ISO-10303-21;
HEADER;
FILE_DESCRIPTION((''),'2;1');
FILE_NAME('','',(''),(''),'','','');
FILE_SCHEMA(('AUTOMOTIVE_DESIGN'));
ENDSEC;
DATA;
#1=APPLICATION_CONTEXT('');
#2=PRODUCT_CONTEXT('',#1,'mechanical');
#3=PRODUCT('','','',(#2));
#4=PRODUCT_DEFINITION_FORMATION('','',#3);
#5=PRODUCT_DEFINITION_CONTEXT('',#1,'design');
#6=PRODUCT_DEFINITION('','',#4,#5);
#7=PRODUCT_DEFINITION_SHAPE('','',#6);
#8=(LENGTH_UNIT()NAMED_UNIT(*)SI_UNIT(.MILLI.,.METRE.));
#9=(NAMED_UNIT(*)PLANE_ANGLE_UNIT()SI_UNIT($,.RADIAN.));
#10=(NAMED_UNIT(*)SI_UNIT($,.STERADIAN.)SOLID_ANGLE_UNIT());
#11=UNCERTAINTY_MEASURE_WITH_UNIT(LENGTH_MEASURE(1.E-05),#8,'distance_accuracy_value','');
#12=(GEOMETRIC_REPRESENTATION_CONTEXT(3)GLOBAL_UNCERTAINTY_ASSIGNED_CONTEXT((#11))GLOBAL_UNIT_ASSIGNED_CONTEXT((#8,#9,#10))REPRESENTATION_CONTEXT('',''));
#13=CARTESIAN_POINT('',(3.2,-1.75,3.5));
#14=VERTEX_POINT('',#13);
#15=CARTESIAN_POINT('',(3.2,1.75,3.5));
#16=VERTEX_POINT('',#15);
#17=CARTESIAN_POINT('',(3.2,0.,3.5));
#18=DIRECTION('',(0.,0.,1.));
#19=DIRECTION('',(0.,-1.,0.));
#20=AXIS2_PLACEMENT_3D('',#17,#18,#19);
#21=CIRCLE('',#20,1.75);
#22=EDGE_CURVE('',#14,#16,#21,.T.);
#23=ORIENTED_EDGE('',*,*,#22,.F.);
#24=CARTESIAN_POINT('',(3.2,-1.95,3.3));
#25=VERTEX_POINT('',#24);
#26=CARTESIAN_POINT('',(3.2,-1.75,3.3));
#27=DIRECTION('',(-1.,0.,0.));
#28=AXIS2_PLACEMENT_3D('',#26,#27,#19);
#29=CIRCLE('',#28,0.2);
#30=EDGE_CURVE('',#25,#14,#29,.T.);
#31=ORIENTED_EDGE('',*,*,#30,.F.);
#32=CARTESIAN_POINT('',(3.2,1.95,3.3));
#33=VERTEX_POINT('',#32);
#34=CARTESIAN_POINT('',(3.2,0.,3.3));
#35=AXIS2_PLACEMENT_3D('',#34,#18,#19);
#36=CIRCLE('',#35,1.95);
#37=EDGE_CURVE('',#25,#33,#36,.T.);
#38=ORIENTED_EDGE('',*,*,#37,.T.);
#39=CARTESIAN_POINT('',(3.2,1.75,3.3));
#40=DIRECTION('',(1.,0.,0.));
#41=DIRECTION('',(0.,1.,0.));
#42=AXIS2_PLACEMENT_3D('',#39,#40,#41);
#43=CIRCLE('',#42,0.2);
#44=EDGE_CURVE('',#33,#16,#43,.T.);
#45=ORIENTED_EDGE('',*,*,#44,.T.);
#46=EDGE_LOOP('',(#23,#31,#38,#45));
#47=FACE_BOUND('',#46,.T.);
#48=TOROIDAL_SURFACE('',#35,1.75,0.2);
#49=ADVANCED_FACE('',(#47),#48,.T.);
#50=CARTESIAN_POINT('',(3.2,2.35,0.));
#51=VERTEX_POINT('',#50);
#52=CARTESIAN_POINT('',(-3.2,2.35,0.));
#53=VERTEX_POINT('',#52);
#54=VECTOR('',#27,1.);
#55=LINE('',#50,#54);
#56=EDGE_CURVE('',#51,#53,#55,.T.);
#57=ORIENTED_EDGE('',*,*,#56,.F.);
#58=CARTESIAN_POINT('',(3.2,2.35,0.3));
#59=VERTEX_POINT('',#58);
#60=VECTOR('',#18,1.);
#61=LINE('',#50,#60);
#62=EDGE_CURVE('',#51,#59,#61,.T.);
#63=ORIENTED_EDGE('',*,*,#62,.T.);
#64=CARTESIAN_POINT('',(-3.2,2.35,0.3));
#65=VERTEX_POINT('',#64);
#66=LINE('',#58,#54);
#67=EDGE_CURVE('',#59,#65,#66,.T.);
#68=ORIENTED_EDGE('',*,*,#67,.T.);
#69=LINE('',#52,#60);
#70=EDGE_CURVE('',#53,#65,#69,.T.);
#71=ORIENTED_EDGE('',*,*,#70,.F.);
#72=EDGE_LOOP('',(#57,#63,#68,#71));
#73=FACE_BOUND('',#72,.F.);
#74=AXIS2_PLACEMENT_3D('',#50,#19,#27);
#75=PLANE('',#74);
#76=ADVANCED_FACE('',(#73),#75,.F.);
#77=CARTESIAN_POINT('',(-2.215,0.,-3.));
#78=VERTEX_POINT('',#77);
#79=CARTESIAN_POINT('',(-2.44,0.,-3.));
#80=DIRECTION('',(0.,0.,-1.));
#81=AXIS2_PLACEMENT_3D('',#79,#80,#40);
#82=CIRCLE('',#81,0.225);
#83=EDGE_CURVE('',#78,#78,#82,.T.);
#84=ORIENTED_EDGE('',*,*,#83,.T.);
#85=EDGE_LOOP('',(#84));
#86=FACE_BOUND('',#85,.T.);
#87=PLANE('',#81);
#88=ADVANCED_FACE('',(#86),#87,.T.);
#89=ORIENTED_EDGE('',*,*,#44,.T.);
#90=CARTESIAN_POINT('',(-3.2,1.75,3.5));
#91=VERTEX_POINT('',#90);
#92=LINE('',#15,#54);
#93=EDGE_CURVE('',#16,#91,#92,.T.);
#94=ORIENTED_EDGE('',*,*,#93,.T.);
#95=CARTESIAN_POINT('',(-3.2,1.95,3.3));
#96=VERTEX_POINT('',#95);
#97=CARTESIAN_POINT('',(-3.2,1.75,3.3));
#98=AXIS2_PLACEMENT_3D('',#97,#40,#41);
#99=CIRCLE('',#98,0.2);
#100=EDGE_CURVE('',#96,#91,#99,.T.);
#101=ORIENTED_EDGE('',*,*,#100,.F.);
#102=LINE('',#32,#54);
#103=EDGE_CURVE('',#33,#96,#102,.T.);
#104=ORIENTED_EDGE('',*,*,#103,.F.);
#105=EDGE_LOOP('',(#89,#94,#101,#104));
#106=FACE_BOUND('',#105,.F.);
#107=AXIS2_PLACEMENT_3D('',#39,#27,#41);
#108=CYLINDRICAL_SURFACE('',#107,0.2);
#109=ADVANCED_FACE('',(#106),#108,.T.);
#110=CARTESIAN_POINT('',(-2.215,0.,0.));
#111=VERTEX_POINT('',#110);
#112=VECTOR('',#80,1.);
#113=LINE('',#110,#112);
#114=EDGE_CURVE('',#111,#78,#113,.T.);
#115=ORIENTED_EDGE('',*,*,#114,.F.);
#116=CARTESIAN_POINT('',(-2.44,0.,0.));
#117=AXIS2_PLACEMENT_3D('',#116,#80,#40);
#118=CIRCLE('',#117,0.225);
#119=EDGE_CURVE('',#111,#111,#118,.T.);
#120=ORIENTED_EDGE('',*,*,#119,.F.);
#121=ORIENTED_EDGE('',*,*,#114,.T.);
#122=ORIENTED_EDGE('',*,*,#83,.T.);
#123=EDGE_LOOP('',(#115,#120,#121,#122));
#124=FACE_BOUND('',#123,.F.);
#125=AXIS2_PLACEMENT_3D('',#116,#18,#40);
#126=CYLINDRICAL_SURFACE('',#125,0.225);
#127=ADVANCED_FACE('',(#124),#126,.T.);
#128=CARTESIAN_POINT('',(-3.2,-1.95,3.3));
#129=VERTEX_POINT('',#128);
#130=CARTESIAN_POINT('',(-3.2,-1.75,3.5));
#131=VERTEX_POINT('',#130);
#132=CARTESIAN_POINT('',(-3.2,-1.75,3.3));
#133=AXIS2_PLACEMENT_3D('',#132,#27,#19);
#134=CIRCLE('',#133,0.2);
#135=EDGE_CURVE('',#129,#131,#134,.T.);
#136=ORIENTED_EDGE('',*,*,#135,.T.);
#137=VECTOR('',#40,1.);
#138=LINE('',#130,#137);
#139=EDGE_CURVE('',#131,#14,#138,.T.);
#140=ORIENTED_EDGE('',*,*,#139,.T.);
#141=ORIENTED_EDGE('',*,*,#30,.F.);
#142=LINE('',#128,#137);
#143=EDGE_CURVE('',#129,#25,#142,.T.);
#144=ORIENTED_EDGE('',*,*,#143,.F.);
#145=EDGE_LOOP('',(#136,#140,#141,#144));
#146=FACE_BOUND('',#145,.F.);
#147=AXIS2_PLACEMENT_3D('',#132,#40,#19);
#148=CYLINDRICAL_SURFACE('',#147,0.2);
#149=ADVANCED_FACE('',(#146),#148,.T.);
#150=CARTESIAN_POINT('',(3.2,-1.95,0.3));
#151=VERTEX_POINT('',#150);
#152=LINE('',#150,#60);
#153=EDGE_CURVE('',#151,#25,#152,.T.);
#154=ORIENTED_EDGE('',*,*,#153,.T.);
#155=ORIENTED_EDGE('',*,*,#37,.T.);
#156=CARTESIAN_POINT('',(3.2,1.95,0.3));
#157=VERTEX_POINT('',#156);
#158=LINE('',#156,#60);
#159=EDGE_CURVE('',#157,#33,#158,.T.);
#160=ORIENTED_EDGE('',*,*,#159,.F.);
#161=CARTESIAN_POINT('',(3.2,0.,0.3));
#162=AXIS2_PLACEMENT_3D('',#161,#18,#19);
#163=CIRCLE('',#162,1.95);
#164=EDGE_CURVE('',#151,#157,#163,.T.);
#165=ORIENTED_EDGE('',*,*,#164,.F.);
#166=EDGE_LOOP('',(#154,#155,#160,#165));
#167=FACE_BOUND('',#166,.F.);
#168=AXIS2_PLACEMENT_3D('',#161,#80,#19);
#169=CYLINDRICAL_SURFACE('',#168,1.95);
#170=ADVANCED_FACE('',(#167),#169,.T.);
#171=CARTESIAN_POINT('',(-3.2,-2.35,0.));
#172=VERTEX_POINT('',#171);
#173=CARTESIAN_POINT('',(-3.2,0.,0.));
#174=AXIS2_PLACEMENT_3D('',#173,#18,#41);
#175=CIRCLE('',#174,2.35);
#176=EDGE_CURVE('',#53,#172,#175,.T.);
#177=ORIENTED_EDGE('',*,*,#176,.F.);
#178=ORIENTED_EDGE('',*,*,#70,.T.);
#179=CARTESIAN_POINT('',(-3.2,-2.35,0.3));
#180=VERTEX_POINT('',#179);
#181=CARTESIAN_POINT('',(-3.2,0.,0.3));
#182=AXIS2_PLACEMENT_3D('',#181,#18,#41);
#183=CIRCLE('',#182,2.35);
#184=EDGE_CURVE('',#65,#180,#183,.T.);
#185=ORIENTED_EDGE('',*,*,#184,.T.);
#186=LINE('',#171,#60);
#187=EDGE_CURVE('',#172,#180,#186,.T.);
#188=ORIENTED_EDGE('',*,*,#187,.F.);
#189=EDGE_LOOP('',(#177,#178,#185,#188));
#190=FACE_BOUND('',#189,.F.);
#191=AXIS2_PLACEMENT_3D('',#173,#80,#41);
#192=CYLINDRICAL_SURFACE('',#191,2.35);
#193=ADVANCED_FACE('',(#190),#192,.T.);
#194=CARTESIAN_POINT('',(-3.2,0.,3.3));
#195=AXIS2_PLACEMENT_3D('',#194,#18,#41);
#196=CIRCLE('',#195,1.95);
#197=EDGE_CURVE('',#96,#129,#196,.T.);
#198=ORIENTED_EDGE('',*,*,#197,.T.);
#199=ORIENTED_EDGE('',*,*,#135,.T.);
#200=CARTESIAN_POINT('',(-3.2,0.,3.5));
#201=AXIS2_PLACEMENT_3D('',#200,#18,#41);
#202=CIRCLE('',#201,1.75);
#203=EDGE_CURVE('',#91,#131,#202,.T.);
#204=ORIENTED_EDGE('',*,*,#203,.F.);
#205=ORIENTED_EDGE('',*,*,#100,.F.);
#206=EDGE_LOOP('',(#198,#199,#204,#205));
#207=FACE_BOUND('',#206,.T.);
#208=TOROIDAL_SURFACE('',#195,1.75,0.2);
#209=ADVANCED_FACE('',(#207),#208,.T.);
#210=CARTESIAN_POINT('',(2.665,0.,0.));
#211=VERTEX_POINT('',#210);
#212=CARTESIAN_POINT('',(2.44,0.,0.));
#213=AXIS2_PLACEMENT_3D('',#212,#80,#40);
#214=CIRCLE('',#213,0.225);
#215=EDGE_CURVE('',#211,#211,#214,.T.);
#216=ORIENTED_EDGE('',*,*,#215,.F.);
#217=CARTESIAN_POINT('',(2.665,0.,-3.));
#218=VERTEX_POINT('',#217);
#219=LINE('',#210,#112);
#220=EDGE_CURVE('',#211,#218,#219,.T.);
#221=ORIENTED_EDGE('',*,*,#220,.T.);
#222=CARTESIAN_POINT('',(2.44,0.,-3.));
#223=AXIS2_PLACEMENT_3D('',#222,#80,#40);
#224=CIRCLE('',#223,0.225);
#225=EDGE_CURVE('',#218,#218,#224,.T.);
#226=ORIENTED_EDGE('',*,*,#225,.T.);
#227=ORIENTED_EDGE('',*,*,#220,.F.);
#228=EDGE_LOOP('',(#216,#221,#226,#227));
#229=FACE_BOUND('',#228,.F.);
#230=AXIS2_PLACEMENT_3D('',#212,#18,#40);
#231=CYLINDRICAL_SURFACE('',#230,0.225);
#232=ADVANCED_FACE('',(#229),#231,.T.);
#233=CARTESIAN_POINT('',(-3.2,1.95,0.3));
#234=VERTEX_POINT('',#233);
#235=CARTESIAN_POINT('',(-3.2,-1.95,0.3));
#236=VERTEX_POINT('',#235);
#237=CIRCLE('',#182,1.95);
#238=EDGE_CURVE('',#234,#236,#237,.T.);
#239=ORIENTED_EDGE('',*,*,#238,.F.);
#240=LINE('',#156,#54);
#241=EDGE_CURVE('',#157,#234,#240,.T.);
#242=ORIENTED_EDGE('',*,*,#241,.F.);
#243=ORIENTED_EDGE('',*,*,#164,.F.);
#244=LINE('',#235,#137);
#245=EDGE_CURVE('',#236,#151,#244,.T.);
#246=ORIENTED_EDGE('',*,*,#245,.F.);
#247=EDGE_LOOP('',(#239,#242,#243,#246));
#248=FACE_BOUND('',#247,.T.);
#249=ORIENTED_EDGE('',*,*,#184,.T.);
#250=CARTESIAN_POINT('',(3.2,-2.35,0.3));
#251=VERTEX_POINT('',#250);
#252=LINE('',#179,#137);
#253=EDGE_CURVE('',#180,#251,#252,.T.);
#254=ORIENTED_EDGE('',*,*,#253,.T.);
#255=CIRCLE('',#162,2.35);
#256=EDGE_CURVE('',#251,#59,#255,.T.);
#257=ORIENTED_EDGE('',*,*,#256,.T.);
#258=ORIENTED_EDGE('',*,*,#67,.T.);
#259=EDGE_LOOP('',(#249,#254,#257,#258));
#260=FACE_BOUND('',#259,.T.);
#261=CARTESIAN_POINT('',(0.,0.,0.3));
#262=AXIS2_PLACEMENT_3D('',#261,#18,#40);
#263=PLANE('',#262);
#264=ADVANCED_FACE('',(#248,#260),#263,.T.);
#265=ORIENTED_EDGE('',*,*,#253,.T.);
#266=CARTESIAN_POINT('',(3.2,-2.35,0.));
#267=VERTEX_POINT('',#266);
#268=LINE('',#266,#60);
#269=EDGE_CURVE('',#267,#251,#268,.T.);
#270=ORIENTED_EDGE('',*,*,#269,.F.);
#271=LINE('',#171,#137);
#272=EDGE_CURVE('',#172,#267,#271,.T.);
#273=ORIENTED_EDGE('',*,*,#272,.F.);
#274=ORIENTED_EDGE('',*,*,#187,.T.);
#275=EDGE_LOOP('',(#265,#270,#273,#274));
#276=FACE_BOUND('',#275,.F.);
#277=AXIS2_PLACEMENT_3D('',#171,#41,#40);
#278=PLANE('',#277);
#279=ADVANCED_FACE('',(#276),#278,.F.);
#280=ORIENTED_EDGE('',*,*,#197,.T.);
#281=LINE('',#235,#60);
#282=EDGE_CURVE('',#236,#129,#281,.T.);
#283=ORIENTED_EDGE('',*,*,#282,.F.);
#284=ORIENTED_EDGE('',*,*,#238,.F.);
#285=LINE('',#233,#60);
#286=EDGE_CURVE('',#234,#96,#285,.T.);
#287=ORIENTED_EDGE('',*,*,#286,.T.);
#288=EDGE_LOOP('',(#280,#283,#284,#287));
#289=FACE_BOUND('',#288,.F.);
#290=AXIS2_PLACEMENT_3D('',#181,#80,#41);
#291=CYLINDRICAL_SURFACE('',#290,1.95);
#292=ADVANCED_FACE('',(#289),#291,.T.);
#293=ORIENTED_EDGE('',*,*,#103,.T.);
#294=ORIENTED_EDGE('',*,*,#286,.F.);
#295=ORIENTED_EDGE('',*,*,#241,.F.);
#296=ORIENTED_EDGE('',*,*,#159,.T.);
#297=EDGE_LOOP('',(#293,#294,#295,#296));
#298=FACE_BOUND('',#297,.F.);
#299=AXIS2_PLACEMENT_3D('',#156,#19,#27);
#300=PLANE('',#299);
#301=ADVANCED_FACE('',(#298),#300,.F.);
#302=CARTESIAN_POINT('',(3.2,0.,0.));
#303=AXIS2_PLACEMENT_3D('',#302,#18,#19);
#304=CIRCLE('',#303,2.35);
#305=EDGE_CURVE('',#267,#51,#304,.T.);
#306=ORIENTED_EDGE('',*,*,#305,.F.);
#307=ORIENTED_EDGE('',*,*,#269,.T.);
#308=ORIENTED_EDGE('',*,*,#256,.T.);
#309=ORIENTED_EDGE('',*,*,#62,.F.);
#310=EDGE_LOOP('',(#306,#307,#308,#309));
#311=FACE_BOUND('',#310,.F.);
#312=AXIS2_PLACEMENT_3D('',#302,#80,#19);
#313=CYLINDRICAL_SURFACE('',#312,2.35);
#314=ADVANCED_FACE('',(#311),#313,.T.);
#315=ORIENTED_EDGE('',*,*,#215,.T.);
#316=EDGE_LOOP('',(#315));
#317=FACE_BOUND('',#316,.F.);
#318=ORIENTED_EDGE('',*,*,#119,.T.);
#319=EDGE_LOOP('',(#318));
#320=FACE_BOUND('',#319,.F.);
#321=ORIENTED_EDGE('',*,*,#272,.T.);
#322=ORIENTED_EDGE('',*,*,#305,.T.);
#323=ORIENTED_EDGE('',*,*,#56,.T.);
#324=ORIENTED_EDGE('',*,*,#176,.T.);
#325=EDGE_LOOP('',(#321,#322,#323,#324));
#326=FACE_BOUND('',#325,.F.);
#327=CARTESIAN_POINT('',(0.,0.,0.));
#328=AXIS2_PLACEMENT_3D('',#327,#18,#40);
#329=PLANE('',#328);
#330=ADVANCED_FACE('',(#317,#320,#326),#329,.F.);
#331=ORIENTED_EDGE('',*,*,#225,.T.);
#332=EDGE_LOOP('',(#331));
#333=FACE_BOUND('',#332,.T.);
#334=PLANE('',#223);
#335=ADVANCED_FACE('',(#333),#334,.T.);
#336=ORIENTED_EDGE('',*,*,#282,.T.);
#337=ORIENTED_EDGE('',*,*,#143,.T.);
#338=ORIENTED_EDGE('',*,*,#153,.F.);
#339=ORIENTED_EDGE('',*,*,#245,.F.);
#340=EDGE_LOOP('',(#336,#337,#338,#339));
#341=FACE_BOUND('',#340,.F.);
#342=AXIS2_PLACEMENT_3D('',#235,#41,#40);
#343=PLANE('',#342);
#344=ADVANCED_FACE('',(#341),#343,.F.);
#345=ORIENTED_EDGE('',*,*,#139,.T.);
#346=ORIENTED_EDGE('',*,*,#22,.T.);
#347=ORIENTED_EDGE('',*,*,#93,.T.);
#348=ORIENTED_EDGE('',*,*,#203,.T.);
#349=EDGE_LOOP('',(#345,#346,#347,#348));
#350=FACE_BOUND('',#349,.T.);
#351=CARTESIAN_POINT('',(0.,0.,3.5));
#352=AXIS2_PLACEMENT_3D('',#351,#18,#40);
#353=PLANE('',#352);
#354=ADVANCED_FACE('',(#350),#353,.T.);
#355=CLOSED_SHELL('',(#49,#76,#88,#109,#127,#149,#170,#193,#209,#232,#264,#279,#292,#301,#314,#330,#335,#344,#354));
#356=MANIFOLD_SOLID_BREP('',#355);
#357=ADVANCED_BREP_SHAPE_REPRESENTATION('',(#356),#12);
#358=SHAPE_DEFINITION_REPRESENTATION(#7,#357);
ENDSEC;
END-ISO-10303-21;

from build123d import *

# Parameters (mm, degrees)
F1_DEPTH = 0.3
F3_DEPTH = 3.2
F4_R     = 0.2
F5_R     = 0.225
F6_DEPTH = 3


with BuildPart() as f1:
    # F0 (on Top) → F1 (new body)
    with BuildSketch(Plane.XY):
        with BuildLine():
            Line((3.2, 2.35), (-3.2, 2.35))
            ThreePointArc((-3.2, 2.35), (-5.55, 0), (-3.2, -2.35))
            Line((-3.2, -2.35), (3.2, -2.35))
            ThreePointArc((3.2, -2.35), (5.55, 0), (3.2, 2.35))
        make_face()
    extrude(amount=F1_DEPTH)

    # F2 (on face) → F3 (join)
    with BuildSketch(Plane.XY.offset(0.3)):
        with BuildLine():
            Line((3.2, 1.95), (-3.2, 1.95))
            ThreePointArc((-3.2, 1.95), (-5.15, 0), (-3.2, -1.95))
            Line((-3.2, -1.95), (3.2, -1.95))
            ThreePointArc((3.2, -1.95), (5.15, 0), (3.2, 1.95))
        make_face()
    extrude(amount=F3_DEPTH)

    # F4
    f4_edges = [f1.edges().sort_by_distance(p)[0] for p in [
        (0, 1.95, 3.5),
        (-5.15, 0, 3.5),
        (0, -1.95, 3.5),
        (5.15, 0, 3.5),
    ]]
    fillet(f4_edges, radius=F4_R)

    # F5 (on face) → F6 (join)
    with BuildSketch(Plane(origin=(0, 0, 0), x_dir=(1, 0, 0), z_dir=(0, 0, -1))):
        with Locations((-2.44, 0)):
            Circle(F5_R)
        with Locations((2.44, 0)):
            Circle(F5_R)
    extrude(amount=F6_DEPTH)


solid = f1.part
